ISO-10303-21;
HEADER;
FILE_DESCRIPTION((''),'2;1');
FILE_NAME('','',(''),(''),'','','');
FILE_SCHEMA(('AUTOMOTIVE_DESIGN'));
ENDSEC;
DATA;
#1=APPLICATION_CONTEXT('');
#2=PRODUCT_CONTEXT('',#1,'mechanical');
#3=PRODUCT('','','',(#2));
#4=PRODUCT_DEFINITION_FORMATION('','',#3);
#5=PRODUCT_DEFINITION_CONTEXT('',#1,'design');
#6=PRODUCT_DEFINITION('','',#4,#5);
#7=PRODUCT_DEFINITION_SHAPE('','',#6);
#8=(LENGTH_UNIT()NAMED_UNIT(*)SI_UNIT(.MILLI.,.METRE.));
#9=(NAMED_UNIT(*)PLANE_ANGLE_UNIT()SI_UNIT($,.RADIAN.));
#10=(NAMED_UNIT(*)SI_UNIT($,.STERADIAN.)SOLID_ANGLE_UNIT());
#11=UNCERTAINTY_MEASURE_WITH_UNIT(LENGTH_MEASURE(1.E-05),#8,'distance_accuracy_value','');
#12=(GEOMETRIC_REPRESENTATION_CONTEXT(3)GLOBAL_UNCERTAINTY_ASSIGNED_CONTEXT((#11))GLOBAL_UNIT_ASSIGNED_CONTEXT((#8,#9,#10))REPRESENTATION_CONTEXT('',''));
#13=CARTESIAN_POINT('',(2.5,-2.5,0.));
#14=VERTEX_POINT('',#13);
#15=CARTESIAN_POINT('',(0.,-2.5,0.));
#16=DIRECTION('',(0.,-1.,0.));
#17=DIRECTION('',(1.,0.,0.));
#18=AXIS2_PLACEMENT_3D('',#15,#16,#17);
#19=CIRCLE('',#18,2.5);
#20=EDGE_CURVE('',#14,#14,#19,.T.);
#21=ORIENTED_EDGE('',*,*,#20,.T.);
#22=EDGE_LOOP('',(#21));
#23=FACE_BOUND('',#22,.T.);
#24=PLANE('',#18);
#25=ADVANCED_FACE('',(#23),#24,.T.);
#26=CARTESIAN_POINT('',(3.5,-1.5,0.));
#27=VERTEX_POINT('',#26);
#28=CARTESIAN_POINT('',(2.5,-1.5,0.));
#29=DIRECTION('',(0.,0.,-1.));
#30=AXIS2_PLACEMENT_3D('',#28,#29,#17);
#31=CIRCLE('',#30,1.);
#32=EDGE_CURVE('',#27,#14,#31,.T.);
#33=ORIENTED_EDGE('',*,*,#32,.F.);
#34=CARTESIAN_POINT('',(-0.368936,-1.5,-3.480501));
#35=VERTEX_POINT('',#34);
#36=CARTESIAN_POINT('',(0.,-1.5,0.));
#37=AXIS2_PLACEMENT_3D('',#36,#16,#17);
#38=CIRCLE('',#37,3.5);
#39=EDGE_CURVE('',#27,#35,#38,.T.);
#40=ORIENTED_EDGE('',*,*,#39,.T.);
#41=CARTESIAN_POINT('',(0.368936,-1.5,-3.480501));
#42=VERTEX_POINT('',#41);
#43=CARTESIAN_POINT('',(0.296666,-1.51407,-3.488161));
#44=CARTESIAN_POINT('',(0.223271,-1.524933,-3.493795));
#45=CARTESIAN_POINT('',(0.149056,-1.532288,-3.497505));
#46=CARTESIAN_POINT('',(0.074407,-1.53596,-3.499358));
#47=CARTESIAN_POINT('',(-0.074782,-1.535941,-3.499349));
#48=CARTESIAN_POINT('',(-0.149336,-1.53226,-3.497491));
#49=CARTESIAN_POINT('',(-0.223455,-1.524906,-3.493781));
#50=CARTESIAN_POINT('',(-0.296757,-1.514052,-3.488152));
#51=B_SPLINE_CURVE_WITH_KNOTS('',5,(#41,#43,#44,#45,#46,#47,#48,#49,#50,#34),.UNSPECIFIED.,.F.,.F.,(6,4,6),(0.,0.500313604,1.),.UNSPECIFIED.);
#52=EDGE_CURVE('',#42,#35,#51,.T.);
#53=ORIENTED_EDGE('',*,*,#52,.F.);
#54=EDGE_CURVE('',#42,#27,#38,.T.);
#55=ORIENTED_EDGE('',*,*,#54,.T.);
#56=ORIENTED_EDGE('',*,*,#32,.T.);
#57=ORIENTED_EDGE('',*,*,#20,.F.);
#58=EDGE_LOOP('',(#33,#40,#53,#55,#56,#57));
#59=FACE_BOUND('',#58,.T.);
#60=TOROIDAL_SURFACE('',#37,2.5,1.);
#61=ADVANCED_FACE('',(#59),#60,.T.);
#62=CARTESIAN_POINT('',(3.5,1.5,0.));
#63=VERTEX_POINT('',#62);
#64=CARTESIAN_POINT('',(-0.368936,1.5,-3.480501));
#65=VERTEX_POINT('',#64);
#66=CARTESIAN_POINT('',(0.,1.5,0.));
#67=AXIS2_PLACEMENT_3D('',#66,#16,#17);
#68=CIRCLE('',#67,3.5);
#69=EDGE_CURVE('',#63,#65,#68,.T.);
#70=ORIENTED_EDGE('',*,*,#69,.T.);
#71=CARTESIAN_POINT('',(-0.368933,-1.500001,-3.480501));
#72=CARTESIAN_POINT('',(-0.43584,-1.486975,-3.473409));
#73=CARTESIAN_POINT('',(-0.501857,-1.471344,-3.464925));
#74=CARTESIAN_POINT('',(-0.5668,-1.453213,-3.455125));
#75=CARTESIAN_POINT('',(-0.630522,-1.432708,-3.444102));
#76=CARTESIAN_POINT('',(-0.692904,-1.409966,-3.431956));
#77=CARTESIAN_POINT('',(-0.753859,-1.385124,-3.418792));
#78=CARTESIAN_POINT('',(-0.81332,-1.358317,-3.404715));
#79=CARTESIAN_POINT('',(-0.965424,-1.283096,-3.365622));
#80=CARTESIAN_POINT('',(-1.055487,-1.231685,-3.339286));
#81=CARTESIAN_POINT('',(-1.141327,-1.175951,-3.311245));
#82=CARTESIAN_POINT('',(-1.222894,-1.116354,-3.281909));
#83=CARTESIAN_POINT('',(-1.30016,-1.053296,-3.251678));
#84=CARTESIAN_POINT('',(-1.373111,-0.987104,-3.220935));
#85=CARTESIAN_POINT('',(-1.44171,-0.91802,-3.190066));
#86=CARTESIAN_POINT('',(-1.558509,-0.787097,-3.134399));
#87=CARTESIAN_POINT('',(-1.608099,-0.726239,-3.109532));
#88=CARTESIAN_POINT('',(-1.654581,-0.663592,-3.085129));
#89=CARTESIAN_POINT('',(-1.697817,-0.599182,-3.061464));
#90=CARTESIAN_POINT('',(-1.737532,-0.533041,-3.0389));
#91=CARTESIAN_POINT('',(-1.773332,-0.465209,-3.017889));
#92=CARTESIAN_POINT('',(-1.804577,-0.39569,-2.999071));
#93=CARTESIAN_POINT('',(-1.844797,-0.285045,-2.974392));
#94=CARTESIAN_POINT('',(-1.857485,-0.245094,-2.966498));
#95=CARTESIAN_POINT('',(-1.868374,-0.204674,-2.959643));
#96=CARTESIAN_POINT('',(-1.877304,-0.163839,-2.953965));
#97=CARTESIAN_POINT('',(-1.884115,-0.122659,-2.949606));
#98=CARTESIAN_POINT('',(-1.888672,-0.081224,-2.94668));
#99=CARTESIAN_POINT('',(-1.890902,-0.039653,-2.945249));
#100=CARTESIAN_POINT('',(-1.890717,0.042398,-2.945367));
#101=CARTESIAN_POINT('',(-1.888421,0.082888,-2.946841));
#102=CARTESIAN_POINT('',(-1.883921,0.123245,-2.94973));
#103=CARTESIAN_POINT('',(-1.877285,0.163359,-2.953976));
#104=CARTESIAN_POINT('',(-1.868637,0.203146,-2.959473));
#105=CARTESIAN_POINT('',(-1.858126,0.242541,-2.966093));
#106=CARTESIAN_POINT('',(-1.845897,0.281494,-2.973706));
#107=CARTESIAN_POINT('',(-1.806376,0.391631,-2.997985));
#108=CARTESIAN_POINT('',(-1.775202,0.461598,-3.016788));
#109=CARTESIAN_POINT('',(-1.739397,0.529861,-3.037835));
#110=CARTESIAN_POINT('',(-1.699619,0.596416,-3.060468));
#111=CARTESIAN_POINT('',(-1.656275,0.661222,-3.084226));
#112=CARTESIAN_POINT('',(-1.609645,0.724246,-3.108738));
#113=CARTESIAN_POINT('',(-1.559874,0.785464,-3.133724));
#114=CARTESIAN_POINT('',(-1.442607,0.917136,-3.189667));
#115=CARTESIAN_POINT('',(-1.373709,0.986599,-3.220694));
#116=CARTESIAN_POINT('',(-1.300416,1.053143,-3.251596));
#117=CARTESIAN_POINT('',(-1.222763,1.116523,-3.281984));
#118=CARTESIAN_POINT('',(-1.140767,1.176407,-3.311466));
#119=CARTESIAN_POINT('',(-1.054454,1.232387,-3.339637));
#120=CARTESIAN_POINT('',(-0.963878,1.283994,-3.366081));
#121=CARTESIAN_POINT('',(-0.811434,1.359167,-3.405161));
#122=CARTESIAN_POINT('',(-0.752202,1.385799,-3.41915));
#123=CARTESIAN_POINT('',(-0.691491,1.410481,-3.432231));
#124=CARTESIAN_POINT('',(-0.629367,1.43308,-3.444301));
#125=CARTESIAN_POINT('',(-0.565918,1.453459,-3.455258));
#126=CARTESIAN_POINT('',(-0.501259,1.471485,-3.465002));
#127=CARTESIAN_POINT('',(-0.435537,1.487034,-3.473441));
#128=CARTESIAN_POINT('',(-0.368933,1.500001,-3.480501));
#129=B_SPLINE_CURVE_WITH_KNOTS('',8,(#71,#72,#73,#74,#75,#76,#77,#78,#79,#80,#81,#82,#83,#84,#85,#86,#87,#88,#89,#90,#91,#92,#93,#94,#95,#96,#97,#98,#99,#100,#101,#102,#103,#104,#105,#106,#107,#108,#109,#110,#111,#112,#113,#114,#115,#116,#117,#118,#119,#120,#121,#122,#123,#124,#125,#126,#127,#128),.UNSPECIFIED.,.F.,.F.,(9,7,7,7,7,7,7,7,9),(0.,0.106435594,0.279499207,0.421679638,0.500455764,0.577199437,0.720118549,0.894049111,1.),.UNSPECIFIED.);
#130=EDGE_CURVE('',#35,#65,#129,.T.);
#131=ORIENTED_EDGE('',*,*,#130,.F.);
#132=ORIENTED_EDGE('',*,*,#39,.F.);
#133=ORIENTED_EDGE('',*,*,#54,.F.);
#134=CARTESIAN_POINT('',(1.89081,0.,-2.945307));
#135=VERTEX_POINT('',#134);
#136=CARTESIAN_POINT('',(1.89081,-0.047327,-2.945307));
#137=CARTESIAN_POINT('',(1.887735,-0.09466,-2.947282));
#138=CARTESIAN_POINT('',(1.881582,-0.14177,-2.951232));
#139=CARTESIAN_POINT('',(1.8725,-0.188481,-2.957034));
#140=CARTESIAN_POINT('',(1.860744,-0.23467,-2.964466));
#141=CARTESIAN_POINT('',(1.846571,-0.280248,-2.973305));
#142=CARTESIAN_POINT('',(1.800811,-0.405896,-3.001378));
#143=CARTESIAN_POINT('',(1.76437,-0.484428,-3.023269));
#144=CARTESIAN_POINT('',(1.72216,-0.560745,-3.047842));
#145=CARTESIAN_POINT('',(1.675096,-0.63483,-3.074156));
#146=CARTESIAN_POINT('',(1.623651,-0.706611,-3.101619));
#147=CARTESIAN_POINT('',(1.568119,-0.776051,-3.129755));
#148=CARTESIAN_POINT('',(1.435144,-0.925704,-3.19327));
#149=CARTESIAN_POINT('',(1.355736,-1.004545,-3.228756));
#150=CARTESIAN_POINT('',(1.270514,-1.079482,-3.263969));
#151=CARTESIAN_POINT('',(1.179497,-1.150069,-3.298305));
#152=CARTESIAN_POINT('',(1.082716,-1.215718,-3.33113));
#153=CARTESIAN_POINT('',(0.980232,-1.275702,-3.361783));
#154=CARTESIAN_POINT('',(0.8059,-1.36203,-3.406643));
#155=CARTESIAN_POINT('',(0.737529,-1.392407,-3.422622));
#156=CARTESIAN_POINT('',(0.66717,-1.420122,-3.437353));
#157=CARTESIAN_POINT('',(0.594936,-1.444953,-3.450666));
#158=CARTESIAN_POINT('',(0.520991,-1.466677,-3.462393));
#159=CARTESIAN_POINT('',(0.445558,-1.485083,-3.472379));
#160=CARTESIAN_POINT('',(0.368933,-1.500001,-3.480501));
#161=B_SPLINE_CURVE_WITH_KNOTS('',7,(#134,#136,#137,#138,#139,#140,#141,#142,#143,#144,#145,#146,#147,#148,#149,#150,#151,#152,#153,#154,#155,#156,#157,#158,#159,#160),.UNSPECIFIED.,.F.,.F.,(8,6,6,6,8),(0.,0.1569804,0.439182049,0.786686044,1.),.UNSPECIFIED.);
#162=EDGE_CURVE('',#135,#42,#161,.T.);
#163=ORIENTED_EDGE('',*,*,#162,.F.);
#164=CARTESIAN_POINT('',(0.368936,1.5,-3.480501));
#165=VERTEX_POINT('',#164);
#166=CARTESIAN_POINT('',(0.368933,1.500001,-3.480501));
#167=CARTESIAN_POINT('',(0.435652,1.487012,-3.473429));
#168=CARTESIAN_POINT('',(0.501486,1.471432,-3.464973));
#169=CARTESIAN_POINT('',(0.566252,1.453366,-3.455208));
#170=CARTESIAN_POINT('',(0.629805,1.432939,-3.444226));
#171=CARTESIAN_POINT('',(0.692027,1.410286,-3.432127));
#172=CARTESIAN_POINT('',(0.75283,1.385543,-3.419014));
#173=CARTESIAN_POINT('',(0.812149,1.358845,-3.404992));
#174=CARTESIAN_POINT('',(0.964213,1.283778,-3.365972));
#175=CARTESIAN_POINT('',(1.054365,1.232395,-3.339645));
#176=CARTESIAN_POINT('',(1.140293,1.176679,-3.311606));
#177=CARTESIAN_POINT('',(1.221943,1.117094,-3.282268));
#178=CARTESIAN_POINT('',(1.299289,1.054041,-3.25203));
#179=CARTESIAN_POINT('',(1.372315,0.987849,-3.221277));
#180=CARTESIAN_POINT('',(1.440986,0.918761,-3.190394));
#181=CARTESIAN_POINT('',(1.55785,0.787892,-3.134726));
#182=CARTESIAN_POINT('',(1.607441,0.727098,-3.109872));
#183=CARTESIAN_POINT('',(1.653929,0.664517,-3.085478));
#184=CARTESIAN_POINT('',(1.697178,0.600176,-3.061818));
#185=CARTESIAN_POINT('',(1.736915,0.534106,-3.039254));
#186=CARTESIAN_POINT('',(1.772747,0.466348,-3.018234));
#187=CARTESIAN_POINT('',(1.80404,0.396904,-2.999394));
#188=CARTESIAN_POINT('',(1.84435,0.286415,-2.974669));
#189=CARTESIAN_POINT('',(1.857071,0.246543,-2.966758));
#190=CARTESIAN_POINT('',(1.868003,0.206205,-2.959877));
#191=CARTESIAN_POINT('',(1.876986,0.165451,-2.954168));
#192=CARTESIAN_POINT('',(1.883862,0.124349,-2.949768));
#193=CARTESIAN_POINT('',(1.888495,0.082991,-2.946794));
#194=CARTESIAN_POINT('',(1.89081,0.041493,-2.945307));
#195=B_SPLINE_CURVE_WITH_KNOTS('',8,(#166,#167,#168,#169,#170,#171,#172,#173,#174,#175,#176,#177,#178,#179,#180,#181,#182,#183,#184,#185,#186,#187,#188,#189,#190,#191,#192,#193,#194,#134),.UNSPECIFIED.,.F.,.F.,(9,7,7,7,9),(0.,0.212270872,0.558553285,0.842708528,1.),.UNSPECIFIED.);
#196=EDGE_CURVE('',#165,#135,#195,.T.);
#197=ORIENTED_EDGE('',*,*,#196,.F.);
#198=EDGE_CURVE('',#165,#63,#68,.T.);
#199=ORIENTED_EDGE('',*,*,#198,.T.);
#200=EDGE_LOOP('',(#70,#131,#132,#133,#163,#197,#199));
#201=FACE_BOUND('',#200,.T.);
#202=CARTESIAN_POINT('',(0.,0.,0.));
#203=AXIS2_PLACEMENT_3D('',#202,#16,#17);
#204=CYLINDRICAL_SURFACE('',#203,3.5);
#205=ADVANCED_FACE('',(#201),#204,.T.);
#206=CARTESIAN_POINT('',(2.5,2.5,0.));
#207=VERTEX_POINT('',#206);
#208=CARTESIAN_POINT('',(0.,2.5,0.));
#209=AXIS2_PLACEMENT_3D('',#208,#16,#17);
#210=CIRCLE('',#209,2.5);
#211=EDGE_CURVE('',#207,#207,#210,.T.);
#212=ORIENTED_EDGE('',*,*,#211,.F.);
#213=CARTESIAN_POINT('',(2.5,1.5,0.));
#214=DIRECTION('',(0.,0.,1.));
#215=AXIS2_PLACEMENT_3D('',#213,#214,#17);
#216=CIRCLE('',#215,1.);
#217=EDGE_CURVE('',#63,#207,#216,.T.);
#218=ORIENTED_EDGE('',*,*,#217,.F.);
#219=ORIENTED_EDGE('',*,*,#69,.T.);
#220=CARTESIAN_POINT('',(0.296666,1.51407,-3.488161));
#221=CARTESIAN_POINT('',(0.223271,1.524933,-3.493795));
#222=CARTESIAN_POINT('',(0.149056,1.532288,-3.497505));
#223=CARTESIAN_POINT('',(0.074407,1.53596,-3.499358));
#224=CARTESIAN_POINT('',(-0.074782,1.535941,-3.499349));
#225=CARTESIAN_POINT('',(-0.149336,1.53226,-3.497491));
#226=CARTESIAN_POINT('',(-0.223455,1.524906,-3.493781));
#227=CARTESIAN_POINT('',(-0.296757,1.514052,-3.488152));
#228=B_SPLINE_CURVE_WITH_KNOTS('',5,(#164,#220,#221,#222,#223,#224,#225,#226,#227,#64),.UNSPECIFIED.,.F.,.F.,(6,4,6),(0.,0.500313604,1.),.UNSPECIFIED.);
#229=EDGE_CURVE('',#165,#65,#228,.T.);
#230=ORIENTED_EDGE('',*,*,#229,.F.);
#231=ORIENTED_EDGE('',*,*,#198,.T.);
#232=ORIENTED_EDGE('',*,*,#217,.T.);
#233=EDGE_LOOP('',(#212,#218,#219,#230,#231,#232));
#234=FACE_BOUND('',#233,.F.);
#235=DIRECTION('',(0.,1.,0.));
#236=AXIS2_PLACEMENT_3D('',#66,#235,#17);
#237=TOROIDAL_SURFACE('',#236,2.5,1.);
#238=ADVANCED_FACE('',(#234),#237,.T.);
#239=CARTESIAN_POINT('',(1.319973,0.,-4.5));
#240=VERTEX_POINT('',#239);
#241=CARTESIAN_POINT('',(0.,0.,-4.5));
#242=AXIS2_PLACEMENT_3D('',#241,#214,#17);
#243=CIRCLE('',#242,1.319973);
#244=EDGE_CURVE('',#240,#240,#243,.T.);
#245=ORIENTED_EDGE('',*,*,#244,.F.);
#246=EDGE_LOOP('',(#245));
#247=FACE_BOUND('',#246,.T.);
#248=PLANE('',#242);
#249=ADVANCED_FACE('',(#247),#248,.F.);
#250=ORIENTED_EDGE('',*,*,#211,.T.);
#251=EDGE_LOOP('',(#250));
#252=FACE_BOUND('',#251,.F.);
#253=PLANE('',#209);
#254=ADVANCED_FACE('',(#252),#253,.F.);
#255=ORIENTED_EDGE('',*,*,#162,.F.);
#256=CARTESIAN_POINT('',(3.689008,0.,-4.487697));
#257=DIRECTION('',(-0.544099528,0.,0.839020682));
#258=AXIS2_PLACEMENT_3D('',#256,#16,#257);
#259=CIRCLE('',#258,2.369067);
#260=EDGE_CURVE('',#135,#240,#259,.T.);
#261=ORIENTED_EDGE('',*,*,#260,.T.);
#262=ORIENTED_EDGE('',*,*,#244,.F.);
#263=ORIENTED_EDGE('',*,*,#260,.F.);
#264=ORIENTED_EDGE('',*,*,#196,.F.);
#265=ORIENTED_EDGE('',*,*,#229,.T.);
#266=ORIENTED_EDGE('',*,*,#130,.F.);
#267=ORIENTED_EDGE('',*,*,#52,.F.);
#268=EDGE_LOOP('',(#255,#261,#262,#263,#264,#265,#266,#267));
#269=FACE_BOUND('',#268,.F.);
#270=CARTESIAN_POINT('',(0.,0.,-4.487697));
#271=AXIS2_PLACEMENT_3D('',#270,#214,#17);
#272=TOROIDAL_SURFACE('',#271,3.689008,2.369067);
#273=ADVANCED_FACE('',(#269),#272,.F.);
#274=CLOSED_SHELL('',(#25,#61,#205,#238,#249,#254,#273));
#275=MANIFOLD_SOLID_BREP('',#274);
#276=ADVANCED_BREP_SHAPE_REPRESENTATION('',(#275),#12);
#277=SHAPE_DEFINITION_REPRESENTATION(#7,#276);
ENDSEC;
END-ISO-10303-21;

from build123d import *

# Parameters (mm, degrees)
SKETCH_R       = 3.5
PAD_DEPTH      = 2.5
PAD_DEPTH_BACK = 2.5
FILLET_R       = 1
FILLET001_R    = 1


with BuildPart() as part:
    # Sketch → Pad (new body, two sides)
    with BuildSketch(Plane.XZ) as pad_sk:
        Circle(SKETCH_R)
    extrude(amount=PAD_DEPTH)
    extrude(pad_sk.sketch, amount=-PAD_DEPTH_BACK)

    # Fillet
    fillet_edges = [part.edges().sort_by_distance(p)[0] for p in [
        (-3.5, -2.5, 0),
    ]]
    fillet(fillet_edges, radius=FILLET_R)

    # Fillet001
    fillet001_edges = [part.edges().sort_by_distance(p)[0] for p in [
        (-3.5, 2.5, 0),
    ]]
    fillet(fillet001_edges, radius=FILLET001_R)

    # Sketch001 → Revolution (revolve)
    with BuildSketch(Plane.XZ):
        with BuildLine():
            Line((0, -2.5), (2.4, -2.5))
            ThreePointArc((2.4, -2.5), (1.604465, -3.362015), (1.319973, -4.5))
            Line((0, -4.5), (1.319973, -4.5))
            Line((0, -2.5), (0, -4.5))
        make_face()
    revolve(axis=Axis((0, 0, 0), (0, 0, 1)))


solid = part.part
